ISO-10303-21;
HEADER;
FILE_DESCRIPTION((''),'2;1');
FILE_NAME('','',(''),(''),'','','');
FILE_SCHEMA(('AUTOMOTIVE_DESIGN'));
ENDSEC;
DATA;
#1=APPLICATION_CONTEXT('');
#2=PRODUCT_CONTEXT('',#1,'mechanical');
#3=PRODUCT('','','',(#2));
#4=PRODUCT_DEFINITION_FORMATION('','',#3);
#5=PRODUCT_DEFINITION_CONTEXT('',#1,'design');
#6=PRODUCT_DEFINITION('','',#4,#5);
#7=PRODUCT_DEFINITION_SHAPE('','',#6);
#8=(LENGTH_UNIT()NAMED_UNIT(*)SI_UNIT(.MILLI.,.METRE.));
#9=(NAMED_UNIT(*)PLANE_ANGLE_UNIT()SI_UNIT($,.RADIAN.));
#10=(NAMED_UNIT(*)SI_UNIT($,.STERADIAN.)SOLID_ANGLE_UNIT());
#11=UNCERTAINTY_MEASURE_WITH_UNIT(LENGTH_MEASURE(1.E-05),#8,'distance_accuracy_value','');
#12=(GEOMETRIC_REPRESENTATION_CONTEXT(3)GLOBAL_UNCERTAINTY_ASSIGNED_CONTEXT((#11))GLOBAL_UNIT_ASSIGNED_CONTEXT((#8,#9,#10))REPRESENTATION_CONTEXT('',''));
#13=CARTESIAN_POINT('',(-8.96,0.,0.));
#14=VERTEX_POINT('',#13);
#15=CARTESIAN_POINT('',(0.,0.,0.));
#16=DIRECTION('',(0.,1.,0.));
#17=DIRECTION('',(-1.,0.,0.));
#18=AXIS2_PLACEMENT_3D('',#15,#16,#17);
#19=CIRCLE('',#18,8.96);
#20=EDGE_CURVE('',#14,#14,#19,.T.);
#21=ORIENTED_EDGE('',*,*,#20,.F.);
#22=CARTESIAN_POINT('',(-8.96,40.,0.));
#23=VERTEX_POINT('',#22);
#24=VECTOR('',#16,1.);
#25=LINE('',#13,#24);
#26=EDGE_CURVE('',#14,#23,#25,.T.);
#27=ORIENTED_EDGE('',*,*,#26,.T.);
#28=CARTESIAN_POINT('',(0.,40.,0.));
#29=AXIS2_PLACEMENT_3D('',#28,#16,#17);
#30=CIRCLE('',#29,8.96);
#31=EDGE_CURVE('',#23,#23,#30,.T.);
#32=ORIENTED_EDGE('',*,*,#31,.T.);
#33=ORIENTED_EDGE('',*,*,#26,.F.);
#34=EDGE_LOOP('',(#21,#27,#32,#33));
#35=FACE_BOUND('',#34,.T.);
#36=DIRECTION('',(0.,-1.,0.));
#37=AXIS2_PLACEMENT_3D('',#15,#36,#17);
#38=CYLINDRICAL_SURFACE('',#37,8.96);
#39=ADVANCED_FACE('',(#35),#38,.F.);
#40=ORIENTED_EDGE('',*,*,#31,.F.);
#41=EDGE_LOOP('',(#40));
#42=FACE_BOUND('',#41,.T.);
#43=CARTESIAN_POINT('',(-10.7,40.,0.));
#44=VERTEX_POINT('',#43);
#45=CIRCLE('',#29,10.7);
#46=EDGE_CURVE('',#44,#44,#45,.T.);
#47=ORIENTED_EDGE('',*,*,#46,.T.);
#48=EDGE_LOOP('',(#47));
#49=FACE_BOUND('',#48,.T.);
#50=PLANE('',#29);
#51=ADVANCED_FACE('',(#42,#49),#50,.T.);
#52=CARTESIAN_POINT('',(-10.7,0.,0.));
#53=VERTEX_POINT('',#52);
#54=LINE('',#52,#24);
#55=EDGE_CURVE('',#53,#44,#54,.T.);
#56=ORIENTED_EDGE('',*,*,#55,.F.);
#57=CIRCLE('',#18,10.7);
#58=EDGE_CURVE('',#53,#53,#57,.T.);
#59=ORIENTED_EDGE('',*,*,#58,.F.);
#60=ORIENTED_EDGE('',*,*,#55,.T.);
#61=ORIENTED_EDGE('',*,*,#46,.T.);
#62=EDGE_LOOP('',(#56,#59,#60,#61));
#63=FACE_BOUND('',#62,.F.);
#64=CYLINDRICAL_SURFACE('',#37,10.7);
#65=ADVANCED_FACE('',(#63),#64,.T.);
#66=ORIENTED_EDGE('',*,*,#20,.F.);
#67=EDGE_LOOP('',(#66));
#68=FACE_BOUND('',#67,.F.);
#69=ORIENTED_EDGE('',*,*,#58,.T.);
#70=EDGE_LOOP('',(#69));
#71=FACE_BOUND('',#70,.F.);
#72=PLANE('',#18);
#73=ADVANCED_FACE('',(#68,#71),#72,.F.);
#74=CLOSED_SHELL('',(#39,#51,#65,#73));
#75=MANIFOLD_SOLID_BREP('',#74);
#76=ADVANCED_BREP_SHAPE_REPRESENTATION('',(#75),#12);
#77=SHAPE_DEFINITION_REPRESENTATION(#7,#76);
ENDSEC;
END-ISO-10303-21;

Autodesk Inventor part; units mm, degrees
ref_plane "YZ Plane" through (0, 0, 0) normal (1, 0, 0) x (0, 1, 0)
ref_plane "XZ Plane" through (0, 0, 0) normal (0, 1, 0) x (-1, 0, 0)
ref_plane "XY Plane" through (0, 0, 0) normal (0, 0, 1) x (1, 0, 0)
sketch "Boceto2" plane through (0, 0, 0) normal (0, 1, 0) x (-1, 0, 0)
  circle A0 centre (0, 0) radius 8.96
  circle A1 centre (0, 0) radius 10.7
  dimension "d0" = 17.92
  dimension "d1" = 21.4
extrude "Extrusión1" add sketch "Boceto2" along normal blind 40
properties part number "Tubo 12 40"
